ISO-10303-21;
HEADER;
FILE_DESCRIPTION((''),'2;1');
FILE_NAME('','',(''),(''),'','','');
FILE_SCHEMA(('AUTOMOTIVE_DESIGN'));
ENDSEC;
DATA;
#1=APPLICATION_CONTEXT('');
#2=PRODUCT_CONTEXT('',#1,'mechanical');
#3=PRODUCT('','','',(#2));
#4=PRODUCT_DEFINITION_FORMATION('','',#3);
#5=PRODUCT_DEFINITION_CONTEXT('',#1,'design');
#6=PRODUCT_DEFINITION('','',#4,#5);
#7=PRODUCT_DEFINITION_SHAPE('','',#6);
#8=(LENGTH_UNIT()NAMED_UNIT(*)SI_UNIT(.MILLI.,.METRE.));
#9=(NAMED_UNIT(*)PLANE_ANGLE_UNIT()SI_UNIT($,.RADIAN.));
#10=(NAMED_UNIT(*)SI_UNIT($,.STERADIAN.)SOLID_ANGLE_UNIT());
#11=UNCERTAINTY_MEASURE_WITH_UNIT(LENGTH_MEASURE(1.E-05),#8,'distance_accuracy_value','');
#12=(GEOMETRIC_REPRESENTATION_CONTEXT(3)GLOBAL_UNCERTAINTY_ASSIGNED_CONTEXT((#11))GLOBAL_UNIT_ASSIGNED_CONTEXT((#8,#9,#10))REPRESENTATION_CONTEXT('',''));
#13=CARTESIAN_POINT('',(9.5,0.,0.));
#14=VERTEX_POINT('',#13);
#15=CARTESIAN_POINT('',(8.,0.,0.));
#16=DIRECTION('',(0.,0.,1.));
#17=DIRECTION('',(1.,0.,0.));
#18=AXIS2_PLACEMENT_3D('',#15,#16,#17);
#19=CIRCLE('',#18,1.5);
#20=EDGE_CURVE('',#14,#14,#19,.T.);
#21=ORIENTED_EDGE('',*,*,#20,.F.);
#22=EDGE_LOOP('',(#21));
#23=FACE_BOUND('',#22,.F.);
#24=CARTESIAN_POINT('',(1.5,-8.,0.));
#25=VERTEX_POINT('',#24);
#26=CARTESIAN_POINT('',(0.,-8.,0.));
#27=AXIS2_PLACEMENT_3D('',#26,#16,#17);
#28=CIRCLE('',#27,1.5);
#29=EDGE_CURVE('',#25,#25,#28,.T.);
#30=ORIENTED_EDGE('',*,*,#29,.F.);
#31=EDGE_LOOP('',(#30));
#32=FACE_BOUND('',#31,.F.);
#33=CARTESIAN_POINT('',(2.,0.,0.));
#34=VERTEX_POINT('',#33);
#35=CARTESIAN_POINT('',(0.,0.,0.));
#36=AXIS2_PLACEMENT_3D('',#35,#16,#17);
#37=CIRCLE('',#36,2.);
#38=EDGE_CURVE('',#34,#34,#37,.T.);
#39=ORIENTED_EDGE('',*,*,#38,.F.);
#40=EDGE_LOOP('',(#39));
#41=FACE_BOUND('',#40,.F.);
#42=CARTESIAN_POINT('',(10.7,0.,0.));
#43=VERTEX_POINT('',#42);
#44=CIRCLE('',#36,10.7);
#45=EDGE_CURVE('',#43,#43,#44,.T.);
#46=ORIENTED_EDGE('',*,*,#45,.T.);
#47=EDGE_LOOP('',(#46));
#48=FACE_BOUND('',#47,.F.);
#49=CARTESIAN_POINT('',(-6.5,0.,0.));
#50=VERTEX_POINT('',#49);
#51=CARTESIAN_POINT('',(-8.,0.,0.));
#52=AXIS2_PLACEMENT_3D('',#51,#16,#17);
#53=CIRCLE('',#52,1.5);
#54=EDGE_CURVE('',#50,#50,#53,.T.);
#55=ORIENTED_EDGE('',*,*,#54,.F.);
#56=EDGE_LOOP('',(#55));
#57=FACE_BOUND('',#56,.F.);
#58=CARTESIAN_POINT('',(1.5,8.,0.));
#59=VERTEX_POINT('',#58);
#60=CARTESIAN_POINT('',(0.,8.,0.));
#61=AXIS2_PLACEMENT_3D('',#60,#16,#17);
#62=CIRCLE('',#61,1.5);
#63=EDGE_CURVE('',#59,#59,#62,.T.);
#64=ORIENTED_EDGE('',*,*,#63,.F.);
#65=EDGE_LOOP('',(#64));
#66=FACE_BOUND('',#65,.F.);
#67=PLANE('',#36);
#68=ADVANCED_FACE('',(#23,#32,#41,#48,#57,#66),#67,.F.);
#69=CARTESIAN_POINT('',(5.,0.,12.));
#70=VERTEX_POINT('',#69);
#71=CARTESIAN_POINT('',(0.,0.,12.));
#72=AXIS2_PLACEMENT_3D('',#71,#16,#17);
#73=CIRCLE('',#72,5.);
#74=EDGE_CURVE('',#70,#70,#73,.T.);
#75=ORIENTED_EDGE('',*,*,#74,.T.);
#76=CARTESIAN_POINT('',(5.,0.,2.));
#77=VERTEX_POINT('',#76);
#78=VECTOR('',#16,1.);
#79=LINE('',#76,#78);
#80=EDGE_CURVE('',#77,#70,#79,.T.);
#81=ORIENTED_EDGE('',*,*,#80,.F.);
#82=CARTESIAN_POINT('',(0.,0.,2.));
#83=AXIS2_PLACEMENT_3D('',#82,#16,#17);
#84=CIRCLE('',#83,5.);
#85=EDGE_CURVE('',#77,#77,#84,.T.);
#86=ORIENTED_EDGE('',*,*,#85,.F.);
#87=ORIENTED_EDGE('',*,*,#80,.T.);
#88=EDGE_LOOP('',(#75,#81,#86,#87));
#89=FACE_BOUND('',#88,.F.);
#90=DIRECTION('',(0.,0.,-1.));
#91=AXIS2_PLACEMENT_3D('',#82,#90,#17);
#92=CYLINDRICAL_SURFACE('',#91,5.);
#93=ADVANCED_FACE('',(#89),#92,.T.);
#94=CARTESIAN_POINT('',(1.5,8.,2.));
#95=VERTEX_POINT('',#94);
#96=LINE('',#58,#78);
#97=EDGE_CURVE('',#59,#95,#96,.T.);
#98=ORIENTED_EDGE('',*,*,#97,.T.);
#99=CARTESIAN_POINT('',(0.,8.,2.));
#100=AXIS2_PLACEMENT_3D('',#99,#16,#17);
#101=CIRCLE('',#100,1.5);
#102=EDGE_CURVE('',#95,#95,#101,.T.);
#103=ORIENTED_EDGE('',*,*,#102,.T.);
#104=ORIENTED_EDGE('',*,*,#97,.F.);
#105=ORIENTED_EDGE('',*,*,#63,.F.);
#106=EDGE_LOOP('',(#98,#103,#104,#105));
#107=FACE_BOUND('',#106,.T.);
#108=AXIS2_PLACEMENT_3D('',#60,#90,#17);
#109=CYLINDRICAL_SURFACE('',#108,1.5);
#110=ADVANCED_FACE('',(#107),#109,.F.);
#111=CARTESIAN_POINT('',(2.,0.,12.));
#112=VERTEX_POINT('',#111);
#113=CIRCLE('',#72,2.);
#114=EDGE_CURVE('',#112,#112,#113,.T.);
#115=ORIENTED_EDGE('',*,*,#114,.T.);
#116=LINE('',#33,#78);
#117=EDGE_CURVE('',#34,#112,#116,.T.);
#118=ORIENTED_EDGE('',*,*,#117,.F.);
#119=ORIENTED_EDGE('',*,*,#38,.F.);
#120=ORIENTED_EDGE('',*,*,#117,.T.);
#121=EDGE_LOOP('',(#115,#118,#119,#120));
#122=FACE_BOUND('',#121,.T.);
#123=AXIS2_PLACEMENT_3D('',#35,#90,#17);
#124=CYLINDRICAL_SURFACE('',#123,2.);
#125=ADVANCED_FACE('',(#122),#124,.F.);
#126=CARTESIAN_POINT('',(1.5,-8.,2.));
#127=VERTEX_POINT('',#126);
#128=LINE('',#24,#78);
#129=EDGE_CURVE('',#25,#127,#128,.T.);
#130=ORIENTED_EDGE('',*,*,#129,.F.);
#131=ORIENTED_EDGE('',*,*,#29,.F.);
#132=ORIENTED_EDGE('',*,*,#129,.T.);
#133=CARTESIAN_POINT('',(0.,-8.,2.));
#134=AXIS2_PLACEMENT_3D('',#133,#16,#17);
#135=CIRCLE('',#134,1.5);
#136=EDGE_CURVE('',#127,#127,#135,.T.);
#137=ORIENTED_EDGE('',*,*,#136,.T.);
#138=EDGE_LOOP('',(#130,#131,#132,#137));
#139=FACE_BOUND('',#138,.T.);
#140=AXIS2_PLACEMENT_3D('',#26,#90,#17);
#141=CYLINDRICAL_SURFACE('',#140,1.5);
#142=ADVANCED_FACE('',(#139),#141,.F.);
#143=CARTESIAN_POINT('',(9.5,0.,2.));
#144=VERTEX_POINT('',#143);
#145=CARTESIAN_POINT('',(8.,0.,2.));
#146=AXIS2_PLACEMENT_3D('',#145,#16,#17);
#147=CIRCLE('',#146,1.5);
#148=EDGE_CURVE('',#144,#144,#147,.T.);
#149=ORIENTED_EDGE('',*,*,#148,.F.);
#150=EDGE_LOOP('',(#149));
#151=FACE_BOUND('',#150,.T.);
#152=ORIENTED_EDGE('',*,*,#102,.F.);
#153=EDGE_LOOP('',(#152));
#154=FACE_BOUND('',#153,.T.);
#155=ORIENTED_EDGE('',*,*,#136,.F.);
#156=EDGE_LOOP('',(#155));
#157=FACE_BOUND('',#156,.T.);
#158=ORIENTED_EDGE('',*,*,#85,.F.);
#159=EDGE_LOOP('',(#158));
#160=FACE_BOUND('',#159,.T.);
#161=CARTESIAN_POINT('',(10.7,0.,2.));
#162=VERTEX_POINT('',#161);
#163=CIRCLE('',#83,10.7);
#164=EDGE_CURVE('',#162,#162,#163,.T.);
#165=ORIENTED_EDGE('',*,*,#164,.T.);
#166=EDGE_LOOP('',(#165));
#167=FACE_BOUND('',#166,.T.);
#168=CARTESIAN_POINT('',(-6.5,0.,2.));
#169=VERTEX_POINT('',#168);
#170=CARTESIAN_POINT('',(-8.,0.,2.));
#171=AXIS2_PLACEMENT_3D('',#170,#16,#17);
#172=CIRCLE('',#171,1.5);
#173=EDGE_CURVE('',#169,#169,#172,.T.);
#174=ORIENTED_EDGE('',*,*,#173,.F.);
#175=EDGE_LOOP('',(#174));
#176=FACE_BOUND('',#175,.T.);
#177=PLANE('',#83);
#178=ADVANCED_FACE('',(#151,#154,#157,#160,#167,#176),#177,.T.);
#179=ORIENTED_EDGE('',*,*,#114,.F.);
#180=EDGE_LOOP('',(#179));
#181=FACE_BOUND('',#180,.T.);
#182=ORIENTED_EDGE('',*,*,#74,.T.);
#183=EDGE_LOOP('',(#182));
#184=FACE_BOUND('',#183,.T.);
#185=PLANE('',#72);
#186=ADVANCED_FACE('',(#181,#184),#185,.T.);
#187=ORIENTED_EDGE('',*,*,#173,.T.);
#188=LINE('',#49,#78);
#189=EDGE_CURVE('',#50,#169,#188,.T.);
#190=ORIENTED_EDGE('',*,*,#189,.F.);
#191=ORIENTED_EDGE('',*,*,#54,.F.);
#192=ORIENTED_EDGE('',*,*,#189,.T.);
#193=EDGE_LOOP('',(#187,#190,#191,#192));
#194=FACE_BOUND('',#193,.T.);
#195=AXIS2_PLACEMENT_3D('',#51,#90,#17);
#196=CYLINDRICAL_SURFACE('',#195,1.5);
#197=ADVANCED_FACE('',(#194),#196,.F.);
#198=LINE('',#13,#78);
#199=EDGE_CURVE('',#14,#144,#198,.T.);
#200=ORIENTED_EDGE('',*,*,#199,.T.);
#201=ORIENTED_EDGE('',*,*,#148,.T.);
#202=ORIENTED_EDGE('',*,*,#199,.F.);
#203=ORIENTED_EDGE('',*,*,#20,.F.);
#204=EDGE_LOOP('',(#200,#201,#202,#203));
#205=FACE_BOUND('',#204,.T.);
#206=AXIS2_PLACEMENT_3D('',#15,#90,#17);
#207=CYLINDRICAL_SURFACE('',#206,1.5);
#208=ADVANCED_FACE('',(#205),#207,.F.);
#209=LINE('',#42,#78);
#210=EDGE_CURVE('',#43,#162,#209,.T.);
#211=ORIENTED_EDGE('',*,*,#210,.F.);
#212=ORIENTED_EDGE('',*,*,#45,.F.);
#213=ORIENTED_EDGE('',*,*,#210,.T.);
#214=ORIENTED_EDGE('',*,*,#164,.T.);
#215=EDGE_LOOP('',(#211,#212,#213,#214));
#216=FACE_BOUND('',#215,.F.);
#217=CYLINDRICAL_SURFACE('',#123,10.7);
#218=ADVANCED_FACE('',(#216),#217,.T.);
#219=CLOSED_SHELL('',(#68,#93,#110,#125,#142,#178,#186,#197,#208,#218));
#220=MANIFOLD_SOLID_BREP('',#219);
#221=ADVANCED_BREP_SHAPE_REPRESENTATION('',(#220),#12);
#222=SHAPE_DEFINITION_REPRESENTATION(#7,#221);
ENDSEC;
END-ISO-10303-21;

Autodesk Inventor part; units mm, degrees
ref_plane "YZ Plane" through (0, 0, 0) normal (1, 0, 0) x (0, 1, 0)
ref_plane "XZ Plane" through (0, 0, 0) normal (0, 1, 0) x (-1, 0, 0)
ref_plane "XY Plane" through (0, 0, 0) normal (0, 0, 1) x (1, 0, 0)
sketch "Sketch1" plane through (0, 0, 0) normal (0, 0, 1) x (1, 0, 0)
  circle A0 centre (0, 0) radius 10.7 projected
  circle A1 centre (8, 0) radius 1.5 projected
  circle A2 centre (0, 8) radius 1.5 projected
  circle A3 centre (0, -8) radius 1.5 projected
  circle A4 centre (0, 0) radius 2 projected
  circle A5 centre (-8, 0) radius 1.5 projected
extrude "Extrusion1" add sketch "Sketch1" along normal blind 2
sketch "Sketch2" plane through (0, 0, 2) normal (0, 0, 1) x (1, 0, 0)
  circle A0 centre (0, 0) radius 2 projected
  circle A1 centre (0, 0) radius 5
  dimension "d2" = 10
extrude "Extrusion2" add sketch "Sketch2" along normal blind 10
properties part number "AcopleBrida4" material "Acero"
